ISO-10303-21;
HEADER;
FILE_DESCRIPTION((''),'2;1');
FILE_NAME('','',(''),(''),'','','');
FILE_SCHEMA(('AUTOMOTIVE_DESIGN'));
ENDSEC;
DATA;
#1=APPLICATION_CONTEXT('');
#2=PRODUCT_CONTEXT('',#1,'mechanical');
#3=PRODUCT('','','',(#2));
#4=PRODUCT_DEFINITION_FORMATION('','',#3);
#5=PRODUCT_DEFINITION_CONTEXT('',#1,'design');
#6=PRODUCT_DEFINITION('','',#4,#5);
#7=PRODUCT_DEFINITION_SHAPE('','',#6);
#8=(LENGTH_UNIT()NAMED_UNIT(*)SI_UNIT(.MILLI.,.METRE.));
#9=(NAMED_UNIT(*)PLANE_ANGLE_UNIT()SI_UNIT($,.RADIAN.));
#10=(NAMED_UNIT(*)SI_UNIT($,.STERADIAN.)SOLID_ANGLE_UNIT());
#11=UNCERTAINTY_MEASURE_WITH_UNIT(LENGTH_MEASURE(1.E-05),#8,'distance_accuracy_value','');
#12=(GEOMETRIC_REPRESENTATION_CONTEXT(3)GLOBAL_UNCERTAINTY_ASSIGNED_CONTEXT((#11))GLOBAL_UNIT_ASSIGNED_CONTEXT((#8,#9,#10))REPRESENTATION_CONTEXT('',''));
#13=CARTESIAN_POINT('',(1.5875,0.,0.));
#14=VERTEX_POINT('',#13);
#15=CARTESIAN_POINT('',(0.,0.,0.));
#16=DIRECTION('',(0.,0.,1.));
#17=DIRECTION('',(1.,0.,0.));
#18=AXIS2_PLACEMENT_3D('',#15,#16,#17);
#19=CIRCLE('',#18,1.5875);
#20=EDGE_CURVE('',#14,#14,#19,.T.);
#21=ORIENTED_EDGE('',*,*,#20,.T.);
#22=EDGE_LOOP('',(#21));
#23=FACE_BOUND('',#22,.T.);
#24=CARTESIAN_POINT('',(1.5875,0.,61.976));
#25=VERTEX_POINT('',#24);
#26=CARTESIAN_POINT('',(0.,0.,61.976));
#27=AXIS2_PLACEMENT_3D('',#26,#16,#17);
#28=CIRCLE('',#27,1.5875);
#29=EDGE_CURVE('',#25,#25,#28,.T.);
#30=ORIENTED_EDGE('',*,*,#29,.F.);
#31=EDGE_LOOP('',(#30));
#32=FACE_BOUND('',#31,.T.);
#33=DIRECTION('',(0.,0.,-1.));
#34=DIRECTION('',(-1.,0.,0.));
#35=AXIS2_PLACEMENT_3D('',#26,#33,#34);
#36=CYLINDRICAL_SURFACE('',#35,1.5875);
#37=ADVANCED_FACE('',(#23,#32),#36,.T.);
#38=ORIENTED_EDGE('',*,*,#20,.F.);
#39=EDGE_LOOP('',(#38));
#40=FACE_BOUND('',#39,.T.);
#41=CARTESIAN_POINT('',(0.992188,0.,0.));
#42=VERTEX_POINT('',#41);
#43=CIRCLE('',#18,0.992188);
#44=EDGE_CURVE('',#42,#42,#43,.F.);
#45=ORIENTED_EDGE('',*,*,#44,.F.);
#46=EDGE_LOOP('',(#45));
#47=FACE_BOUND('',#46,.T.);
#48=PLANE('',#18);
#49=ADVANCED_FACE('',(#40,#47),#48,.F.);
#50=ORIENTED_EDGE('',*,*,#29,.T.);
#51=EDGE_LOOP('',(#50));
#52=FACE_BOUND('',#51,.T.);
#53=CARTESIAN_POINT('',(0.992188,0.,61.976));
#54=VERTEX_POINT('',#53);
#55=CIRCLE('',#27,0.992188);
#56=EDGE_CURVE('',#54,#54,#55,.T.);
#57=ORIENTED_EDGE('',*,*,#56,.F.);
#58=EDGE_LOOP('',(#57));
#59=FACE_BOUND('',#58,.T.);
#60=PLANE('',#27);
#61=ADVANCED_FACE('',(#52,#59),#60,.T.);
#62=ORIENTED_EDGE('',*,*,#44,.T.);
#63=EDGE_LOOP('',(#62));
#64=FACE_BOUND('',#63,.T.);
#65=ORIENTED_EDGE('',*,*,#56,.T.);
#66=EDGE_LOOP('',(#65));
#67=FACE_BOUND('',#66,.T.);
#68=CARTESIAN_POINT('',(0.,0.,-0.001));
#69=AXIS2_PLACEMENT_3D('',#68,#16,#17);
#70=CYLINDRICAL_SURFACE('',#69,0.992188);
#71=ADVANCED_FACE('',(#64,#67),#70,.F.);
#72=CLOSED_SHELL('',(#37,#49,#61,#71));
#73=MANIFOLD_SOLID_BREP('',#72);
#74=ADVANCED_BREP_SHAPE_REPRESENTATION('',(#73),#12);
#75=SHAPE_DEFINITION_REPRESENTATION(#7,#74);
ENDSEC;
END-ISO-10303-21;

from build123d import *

# Parameters (mm, degrees)
SKETCH1_R           = 1.5875
BOSS_EXTRUDE1_DEPTH = 61.976
CUT_EXTRUDE1_REACH  = 63.976
SKETCH2_R           = 0.9921875


with BuildPart() as part:
    # Sketch1 → Boss-Extrude1 (new body)
    with BuildSketch(Plane.XY):
        Circle(SKETCH1_R)
    extrude(amount=BOSS_EXTRUDE1_DEPTH)

    # Sketch2 → Cut-Extrude1 (cut, up to next)
    with BuildSketch(Plane.XY.offset(61.976), mode=Mode.PRIVATE) as cut_extrude1_sk1:
        Circle(SKETCH2_R)
    cut_extrude1_tool1 = extrude(cut_extrude1_sk1.sketch, amount=-CUT_EXTRUDE1_REACH, mode=Mode.PRIVATE) & part.part
    add(cut_extrude1_tool1.solids().sort_by_distance((0, 0, 61.976))[0], mode=Mode.SUBTRACT)


solid = part.part
